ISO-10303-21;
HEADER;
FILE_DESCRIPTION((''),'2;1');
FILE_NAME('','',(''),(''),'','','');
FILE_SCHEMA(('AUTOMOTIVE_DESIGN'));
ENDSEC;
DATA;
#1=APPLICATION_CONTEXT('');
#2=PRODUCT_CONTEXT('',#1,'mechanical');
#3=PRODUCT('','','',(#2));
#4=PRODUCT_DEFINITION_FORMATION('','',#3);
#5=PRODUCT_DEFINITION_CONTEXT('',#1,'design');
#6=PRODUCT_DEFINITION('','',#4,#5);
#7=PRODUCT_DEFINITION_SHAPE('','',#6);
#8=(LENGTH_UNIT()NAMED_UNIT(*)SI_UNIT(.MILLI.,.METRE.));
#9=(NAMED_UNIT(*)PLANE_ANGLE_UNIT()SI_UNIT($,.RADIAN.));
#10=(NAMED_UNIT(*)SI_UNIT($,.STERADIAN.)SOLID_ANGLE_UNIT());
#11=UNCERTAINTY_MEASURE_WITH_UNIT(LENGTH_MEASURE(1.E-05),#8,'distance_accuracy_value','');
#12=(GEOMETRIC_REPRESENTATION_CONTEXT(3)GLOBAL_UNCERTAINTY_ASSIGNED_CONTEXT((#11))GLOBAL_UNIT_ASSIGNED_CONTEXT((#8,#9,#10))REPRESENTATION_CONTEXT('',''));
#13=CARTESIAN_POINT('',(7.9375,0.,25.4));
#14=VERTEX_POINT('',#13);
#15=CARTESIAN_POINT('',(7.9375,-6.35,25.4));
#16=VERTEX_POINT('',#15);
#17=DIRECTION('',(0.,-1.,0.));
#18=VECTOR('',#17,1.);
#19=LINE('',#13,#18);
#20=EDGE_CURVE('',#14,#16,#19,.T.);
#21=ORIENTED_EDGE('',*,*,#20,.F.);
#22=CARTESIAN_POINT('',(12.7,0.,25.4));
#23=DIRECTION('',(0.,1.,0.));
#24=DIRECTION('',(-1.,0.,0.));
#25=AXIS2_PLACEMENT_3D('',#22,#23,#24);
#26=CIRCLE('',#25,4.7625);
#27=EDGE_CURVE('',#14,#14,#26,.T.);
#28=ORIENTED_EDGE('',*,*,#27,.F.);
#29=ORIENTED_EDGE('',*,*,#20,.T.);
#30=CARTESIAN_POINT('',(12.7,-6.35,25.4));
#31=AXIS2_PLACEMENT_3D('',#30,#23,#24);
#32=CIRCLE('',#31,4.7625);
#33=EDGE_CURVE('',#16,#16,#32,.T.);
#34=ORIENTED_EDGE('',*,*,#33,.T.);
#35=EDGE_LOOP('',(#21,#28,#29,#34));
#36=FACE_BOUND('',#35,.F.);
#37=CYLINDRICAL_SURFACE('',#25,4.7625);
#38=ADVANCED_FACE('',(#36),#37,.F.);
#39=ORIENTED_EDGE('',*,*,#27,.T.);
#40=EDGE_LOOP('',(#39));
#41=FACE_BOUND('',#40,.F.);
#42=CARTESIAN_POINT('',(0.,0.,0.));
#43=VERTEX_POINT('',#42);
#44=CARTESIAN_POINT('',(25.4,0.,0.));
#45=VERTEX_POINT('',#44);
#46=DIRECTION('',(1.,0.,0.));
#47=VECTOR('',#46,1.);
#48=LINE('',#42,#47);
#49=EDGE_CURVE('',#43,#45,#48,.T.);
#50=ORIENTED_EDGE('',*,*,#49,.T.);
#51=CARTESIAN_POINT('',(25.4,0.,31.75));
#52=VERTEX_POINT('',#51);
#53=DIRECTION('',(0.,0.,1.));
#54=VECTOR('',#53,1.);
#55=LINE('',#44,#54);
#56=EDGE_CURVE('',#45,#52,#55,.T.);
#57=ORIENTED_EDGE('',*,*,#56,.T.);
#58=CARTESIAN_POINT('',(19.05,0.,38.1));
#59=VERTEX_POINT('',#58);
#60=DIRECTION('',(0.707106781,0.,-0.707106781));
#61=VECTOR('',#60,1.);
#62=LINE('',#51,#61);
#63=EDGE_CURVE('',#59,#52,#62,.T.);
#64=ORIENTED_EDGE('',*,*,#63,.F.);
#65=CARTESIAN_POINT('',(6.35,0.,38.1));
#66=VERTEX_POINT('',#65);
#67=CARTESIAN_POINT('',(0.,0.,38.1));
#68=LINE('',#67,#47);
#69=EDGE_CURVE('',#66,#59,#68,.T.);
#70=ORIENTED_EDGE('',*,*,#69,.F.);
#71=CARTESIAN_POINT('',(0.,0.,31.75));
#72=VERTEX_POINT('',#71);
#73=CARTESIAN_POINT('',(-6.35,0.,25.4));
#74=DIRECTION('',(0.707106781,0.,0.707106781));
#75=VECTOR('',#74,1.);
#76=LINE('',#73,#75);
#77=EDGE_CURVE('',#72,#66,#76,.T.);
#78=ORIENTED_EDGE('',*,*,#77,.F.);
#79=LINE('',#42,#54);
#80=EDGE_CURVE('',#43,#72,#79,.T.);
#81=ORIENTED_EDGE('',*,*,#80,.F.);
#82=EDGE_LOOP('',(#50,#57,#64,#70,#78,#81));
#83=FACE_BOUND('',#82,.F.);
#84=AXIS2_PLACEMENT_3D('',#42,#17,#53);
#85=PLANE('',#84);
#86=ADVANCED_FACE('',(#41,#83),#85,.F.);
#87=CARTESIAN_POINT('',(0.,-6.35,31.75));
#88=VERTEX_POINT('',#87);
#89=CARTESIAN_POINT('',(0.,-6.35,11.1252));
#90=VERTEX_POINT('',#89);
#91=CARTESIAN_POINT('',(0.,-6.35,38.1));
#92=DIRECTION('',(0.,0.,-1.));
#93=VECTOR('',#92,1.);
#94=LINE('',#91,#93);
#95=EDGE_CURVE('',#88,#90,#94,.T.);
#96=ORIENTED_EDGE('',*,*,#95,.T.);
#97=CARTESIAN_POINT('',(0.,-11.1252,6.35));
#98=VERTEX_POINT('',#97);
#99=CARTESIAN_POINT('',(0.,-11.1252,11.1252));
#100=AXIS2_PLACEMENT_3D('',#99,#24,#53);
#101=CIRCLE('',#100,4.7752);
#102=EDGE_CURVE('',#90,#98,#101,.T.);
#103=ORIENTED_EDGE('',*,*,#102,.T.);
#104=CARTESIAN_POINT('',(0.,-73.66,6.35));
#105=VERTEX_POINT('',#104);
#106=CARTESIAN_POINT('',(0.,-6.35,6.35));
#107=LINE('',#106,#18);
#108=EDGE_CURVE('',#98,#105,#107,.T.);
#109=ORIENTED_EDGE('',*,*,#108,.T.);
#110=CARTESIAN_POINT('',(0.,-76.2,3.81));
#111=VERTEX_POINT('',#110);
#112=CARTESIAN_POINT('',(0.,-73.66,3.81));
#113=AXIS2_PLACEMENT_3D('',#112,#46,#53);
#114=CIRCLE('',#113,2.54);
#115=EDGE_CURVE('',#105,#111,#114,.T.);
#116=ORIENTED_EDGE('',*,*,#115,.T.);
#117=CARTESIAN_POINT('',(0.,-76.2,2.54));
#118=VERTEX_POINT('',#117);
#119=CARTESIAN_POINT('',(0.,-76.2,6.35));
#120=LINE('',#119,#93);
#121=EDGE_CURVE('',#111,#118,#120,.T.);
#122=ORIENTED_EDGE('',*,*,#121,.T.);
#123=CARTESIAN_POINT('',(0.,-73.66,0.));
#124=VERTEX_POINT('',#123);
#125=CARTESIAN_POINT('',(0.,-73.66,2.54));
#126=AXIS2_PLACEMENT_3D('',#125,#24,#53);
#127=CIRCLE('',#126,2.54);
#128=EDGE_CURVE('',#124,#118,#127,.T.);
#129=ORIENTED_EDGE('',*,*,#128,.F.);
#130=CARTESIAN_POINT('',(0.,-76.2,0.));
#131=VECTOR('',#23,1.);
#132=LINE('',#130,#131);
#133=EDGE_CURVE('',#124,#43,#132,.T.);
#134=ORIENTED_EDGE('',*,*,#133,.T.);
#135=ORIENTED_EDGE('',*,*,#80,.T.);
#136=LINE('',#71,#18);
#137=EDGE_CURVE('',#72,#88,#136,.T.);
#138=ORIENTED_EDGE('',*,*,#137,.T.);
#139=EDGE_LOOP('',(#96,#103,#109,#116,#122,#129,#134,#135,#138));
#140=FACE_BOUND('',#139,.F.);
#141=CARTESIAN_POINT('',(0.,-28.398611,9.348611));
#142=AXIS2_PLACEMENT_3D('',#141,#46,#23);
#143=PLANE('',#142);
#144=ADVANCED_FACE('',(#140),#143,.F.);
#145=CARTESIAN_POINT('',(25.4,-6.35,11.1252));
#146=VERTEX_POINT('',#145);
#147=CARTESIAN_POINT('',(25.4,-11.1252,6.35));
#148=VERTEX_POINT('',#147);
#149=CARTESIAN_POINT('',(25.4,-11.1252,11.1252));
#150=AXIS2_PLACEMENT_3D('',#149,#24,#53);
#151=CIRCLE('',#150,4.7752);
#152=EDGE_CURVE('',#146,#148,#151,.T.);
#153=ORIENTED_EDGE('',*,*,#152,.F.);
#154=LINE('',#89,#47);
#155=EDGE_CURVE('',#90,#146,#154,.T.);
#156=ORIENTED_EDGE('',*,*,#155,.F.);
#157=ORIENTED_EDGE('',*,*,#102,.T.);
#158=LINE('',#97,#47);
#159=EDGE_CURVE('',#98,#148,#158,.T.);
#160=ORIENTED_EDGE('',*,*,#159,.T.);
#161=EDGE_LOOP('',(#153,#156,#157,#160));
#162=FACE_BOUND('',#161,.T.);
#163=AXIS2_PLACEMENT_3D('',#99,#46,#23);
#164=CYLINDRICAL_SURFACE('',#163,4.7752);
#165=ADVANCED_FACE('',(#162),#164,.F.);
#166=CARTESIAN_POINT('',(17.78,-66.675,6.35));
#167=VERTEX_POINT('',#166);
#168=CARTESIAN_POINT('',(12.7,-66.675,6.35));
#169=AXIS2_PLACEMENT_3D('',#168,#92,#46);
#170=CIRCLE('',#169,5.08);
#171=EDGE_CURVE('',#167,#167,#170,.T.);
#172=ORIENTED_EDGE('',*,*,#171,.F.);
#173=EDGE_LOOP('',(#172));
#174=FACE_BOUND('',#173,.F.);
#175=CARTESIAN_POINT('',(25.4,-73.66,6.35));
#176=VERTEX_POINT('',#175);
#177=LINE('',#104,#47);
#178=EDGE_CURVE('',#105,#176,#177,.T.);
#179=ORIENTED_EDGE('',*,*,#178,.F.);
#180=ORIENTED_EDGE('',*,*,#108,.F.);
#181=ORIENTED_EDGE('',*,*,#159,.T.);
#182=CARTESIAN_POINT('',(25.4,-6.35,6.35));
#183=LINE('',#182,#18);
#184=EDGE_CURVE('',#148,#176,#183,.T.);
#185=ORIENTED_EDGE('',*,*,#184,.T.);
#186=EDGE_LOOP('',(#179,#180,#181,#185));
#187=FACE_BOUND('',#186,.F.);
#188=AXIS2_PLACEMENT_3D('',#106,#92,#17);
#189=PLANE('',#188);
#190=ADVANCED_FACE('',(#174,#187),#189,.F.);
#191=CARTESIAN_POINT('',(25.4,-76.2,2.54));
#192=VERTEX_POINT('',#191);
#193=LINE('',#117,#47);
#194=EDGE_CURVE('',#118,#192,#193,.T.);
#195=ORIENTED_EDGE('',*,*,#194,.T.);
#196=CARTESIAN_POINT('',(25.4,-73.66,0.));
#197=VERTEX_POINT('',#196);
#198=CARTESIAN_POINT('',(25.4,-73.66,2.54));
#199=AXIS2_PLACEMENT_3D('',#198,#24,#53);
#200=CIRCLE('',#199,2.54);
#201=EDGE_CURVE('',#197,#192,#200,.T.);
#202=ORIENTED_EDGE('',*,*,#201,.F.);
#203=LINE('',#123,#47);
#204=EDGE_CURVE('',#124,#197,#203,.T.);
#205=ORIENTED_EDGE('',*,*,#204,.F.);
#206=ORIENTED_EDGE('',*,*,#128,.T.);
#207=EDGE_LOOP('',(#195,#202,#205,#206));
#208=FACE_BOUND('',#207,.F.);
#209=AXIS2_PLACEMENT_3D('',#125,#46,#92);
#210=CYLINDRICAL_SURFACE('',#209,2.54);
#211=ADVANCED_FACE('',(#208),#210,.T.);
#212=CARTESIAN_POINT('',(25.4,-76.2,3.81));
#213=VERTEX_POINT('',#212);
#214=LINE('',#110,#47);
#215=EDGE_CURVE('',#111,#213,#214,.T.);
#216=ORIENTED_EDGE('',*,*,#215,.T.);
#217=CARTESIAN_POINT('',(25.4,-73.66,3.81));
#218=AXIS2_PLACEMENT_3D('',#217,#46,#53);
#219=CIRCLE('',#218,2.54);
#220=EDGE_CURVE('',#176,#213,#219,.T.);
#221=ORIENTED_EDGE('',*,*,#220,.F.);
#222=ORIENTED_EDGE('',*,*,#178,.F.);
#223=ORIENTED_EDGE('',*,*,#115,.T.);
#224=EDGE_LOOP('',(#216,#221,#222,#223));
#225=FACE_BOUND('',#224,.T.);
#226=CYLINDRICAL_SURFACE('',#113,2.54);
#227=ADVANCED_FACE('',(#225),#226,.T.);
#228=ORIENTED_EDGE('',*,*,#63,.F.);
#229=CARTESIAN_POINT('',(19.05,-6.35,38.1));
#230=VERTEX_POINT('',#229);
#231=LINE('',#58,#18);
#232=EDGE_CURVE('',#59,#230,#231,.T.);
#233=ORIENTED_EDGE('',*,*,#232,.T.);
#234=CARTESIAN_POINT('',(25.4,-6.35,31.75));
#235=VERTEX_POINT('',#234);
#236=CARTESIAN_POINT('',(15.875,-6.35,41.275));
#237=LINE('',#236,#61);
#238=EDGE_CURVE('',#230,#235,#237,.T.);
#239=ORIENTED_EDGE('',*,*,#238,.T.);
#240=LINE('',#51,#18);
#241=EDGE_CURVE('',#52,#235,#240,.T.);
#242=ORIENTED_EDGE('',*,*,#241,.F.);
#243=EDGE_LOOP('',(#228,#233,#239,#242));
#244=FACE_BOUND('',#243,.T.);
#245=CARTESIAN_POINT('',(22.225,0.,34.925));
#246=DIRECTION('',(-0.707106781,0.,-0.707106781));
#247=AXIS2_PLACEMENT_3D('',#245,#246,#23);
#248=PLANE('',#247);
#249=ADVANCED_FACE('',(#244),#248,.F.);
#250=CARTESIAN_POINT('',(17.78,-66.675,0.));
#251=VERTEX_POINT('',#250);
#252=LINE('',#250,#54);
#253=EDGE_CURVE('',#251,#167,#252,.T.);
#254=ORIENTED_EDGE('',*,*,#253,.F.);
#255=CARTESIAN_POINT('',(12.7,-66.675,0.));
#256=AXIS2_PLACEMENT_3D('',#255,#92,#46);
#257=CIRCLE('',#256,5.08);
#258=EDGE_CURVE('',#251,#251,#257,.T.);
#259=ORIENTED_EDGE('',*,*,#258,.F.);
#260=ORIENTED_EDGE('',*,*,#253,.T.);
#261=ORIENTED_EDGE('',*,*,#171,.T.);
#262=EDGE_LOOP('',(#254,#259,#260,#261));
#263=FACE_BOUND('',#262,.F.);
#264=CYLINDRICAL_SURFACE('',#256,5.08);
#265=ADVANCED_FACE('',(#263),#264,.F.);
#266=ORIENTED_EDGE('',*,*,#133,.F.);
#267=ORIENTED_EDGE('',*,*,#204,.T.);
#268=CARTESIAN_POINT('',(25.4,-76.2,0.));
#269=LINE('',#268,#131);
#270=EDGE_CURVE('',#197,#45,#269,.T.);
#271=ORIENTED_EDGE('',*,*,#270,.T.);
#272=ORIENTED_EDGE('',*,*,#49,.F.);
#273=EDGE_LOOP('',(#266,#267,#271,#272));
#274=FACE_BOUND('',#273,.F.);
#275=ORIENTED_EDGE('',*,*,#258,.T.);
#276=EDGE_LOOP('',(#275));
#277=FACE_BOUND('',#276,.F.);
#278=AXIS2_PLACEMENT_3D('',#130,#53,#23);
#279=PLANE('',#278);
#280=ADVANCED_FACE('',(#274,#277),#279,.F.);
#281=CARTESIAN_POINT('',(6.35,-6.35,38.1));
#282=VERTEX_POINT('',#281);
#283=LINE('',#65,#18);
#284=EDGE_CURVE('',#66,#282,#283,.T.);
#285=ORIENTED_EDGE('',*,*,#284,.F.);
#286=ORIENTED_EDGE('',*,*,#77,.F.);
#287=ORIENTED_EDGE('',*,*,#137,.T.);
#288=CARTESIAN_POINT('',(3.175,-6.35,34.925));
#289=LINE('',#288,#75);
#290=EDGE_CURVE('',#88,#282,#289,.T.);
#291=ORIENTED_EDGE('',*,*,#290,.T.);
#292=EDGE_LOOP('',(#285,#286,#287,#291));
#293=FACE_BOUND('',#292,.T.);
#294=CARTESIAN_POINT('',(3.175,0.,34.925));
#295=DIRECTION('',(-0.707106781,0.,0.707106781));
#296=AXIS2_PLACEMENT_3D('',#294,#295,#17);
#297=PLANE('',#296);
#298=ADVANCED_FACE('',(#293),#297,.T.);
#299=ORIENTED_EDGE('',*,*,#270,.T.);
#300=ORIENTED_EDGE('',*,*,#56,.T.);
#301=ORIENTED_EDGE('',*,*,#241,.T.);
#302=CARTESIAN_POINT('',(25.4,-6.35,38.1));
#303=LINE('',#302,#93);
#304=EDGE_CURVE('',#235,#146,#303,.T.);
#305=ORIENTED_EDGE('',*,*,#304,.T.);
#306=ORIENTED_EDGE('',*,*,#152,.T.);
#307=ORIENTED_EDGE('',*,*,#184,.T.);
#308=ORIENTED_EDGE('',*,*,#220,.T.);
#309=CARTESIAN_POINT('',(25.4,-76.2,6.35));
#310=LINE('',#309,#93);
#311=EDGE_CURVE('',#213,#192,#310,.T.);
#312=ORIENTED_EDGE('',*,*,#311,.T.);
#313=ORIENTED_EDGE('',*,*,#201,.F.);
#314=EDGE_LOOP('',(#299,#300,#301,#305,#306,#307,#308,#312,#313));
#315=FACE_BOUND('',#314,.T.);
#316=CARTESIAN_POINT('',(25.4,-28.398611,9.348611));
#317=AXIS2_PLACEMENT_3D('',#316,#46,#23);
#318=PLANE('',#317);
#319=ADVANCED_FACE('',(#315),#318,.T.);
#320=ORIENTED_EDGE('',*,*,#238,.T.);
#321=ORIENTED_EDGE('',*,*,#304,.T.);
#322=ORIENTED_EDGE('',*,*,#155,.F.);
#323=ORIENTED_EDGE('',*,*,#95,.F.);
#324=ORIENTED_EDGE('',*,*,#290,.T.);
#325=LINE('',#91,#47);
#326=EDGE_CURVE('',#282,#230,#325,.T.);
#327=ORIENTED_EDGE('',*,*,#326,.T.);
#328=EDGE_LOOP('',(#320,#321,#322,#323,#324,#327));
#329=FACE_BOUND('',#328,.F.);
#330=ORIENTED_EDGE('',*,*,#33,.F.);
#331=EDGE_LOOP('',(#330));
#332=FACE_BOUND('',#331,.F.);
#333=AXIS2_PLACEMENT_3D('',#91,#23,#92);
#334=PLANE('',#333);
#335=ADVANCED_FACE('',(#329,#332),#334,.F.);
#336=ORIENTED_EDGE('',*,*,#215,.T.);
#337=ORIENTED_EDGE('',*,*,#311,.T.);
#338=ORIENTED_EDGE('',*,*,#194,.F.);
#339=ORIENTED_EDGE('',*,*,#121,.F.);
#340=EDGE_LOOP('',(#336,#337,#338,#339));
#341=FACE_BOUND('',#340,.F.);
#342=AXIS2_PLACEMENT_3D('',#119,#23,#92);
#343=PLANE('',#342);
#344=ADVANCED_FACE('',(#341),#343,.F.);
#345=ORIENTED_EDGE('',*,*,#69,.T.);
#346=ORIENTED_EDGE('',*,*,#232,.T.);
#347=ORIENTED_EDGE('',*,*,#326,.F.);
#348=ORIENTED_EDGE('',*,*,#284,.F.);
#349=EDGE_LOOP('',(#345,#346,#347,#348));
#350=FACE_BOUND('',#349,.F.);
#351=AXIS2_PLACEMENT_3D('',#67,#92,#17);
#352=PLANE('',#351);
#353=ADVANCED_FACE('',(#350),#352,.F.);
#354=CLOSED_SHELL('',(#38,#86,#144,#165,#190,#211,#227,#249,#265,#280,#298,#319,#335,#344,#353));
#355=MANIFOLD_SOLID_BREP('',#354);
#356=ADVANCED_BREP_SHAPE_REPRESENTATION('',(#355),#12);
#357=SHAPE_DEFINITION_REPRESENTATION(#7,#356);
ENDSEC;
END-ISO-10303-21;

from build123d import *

# Parameters (mm, degrees)
F1_DEPTH = 25.4
F2_R     = 4.7752
F3_R     = 4.7625
F4_DEPTH = 25.4
F5_SIZE  = 6.35
F6_R     = 5.08
F7_DEPTH = 25.4
F8_R     = 2.54


with BuildPart() as f1:
    # F0 (on Right) → F1 (new body)
    with BuildSketch(Plane.YZ):
        Polygon((-76.2, 0), (0, 0), (0, 38.1), (-6.35, 38.1), (-6.35, 6.35), (-76.2, 6.35), align=None)
    extrude(amount=F1_DEPTH)

    # F2
    f2_edges = [f1.edges().sort_by_distance(p)[0] for p in [
        (12.7, -6.35, 6.35),
    ]]
    fillet(f2_edges, radius=F2_R)

    # F3 (on face) → F4 (cut)
    with BuildSketch(Plane(origin=(0, 0, 0), x_dir=(-1, 0, 0), z_dir=(0, 1, 0))):
        with Locations((-12.7, 25.4)):
            Circle(F3_R)
    extrude(amount=-F4_DEPTH, mode=Mode.SUBTRACT)

    # F5
    f5_edges = [f1.edges().sort_by_distance(p)[0] for p in [
        (25.4, -3.175, 38.1),
        (0, -3.175, 38.1),
    ]]
    chamfer(f5_edges, length=F5_SIZE)

    # F6 (on face) → F7 (cut)
    with BuildSketch(Plane(origin=(0, 0, 0), x_dir=(1, 0, 0), z_dir=(0, 0, -1))):
        with Locations((12.7, 66.675)):
            Circle(F6_R)
    extrude(amount=-F7_DEPTH, mode=Mode.SUBTRACT)

    # F8
    f8_edges = [f1.edges().sort_by_distance(p)[0] for p in [
        (12.7, -76.2, 0),
        (12.7, -76.2, 6.35),
    ]]
    fillet(f8_edges, radius=F8_R)


solid = f1.part
